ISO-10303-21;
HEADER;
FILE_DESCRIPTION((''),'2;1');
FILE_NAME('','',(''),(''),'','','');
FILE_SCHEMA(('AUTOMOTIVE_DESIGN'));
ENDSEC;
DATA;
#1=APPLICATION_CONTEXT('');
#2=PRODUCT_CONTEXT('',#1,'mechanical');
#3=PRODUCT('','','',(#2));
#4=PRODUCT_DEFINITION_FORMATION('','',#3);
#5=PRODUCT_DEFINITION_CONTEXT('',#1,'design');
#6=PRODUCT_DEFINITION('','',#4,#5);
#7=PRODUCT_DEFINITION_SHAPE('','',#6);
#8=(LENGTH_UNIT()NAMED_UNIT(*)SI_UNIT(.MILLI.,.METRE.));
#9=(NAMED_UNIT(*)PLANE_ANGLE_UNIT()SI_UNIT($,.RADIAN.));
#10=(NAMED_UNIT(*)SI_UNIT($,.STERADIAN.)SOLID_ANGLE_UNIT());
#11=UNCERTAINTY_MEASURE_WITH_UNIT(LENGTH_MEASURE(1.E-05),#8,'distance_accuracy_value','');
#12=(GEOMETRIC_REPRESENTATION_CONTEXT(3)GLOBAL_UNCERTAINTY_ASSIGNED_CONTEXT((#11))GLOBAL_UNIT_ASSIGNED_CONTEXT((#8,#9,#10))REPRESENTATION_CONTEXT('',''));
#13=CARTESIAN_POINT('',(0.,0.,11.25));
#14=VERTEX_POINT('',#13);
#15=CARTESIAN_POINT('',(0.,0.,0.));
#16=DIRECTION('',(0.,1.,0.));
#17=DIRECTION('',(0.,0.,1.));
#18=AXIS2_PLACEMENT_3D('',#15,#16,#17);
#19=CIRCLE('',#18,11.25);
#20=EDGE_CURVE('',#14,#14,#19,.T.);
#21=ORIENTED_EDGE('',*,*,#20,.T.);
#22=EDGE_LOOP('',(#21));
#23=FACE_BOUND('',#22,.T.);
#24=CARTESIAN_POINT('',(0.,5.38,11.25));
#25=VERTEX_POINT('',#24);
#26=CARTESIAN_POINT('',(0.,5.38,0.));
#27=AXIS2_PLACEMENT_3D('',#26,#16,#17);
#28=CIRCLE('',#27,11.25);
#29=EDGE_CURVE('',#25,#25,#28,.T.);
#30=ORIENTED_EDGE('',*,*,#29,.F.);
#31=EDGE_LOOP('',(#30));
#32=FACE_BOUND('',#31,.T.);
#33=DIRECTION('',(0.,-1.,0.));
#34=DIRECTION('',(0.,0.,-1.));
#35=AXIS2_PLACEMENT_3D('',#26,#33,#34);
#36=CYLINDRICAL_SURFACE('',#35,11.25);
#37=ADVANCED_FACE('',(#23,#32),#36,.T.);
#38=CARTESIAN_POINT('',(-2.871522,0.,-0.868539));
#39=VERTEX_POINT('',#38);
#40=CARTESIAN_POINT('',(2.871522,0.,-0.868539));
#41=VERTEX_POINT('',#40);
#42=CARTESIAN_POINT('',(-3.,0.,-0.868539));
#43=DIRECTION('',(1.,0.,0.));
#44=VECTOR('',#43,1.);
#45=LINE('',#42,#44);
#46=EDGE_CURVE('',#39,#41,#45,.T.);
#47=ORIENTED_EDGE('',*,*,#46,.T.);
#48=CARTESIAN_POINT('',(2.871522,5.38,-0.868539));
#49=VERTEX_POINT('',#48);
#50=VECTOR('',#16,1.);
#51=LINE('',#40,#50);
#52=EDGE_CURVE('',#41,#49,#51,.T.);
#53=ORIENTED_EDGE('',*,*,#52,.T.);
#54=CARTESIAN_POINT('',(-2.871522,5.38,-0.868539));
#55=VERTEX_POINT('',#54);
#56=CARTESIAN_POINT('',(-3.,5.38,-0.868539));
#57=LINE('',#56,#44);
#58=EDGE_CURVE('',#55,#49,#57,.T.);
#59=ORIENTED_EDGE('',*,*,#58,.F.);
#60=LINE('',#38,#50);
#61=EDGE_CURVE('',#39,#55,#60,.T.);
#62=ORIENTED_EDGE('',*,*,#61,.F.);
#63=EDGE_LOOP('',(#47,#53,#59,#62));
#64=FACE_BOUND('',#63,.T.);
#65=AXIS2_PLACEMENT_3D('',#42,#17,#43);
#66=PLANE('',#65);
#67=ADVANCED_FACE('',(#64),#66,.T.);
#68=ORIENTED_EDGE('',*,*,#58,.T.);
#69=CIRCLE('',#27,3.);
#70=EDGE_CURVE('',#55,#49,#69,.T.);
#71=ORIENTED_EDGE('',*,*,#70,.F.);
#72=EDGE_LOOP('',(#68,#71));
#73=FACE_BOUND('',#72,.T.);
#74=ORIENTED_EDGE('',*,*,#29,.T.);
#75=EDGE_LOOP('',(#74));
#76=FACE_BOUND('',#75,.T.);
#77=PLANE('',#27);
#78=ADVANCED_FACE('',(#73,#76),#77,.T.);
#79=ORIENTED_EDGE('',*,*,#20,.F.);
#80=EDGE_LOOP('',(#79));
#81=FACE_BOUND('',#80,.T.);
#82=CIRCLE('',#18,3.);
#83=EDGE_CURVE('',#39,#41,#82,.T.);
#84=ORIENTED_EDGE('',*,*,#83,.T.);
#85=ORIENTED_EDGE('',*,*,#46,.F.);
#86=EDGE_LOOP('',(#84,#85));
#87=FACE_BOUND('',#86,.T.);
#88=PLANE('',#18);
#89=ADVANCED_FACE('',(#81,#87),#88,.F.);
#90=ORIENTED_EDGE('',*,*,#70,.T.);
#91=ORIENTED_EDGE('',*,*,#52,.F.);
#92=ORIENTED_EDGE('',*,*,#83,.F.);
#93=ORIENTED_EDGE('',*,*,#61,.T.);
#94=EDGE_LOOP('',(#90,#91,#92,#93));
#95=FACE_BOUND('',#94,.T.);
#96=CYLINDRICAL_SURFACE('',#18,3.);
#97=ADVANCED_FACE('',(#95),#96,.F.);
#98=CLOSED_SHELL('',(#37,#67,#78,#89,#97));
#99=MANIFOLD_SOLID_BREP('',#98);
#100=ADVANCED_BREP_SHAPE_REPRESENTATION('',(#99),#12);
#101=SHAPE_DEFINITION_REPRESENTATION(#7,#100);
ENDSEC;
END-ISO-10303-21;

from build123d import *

# Parameters (mm, degrees)
SKETCH1_R           = 11.25
BOSS_EXTRUDE1_DEPTH = 5.38
SKETCH2_R           = 3
CUT_EXTRUDE1_DEPTH  = 5.38
SKETCH3_W           = 5.871522131
SKETCH3_H           = 2.131460622
BOSS_EXTRUDE2_DEPTH = 5.38


with BuildPart() as part:
    # Sketch1 → Boss-Extrude1 (new body)
    with BuildSketch(Plane(origin=(0, 0, 0), x_dir=(1, 0, 0), z_dir=(0, 1, 0))):
        Circle(SKETCH1_R)
    extrude(amount=BOSS_EXTRUDE1_DEPTH)

    # Sketch2 → Cut-Extrude1 (cut)
    with BuildSketch(Plane(origin=(0, 5.38, 0), x_dir=(1, 0, 0), z_dir=(0, 1, 0))):
        Circle(SKETCH2_R)
    extrude(amount=-CUT_EXTRUDE1_DEPTH, mode=Mode.SUBTRACT)

    # Sketch3 → Boss-Extrude2 (add)
    with BuildSketch(Plane(origin=(0, 5.38, 0), x_dir=(1, 0, 0), z_dir=(0, 1, 0))):
        with Locations((-0.064238934, 1.934269689)):
            Rectangle(SKETCH3_W, SKETCH3_H)
    extrude(amount=-BOSS_EXTRUDE2_DEPTH)


solid = part.part
